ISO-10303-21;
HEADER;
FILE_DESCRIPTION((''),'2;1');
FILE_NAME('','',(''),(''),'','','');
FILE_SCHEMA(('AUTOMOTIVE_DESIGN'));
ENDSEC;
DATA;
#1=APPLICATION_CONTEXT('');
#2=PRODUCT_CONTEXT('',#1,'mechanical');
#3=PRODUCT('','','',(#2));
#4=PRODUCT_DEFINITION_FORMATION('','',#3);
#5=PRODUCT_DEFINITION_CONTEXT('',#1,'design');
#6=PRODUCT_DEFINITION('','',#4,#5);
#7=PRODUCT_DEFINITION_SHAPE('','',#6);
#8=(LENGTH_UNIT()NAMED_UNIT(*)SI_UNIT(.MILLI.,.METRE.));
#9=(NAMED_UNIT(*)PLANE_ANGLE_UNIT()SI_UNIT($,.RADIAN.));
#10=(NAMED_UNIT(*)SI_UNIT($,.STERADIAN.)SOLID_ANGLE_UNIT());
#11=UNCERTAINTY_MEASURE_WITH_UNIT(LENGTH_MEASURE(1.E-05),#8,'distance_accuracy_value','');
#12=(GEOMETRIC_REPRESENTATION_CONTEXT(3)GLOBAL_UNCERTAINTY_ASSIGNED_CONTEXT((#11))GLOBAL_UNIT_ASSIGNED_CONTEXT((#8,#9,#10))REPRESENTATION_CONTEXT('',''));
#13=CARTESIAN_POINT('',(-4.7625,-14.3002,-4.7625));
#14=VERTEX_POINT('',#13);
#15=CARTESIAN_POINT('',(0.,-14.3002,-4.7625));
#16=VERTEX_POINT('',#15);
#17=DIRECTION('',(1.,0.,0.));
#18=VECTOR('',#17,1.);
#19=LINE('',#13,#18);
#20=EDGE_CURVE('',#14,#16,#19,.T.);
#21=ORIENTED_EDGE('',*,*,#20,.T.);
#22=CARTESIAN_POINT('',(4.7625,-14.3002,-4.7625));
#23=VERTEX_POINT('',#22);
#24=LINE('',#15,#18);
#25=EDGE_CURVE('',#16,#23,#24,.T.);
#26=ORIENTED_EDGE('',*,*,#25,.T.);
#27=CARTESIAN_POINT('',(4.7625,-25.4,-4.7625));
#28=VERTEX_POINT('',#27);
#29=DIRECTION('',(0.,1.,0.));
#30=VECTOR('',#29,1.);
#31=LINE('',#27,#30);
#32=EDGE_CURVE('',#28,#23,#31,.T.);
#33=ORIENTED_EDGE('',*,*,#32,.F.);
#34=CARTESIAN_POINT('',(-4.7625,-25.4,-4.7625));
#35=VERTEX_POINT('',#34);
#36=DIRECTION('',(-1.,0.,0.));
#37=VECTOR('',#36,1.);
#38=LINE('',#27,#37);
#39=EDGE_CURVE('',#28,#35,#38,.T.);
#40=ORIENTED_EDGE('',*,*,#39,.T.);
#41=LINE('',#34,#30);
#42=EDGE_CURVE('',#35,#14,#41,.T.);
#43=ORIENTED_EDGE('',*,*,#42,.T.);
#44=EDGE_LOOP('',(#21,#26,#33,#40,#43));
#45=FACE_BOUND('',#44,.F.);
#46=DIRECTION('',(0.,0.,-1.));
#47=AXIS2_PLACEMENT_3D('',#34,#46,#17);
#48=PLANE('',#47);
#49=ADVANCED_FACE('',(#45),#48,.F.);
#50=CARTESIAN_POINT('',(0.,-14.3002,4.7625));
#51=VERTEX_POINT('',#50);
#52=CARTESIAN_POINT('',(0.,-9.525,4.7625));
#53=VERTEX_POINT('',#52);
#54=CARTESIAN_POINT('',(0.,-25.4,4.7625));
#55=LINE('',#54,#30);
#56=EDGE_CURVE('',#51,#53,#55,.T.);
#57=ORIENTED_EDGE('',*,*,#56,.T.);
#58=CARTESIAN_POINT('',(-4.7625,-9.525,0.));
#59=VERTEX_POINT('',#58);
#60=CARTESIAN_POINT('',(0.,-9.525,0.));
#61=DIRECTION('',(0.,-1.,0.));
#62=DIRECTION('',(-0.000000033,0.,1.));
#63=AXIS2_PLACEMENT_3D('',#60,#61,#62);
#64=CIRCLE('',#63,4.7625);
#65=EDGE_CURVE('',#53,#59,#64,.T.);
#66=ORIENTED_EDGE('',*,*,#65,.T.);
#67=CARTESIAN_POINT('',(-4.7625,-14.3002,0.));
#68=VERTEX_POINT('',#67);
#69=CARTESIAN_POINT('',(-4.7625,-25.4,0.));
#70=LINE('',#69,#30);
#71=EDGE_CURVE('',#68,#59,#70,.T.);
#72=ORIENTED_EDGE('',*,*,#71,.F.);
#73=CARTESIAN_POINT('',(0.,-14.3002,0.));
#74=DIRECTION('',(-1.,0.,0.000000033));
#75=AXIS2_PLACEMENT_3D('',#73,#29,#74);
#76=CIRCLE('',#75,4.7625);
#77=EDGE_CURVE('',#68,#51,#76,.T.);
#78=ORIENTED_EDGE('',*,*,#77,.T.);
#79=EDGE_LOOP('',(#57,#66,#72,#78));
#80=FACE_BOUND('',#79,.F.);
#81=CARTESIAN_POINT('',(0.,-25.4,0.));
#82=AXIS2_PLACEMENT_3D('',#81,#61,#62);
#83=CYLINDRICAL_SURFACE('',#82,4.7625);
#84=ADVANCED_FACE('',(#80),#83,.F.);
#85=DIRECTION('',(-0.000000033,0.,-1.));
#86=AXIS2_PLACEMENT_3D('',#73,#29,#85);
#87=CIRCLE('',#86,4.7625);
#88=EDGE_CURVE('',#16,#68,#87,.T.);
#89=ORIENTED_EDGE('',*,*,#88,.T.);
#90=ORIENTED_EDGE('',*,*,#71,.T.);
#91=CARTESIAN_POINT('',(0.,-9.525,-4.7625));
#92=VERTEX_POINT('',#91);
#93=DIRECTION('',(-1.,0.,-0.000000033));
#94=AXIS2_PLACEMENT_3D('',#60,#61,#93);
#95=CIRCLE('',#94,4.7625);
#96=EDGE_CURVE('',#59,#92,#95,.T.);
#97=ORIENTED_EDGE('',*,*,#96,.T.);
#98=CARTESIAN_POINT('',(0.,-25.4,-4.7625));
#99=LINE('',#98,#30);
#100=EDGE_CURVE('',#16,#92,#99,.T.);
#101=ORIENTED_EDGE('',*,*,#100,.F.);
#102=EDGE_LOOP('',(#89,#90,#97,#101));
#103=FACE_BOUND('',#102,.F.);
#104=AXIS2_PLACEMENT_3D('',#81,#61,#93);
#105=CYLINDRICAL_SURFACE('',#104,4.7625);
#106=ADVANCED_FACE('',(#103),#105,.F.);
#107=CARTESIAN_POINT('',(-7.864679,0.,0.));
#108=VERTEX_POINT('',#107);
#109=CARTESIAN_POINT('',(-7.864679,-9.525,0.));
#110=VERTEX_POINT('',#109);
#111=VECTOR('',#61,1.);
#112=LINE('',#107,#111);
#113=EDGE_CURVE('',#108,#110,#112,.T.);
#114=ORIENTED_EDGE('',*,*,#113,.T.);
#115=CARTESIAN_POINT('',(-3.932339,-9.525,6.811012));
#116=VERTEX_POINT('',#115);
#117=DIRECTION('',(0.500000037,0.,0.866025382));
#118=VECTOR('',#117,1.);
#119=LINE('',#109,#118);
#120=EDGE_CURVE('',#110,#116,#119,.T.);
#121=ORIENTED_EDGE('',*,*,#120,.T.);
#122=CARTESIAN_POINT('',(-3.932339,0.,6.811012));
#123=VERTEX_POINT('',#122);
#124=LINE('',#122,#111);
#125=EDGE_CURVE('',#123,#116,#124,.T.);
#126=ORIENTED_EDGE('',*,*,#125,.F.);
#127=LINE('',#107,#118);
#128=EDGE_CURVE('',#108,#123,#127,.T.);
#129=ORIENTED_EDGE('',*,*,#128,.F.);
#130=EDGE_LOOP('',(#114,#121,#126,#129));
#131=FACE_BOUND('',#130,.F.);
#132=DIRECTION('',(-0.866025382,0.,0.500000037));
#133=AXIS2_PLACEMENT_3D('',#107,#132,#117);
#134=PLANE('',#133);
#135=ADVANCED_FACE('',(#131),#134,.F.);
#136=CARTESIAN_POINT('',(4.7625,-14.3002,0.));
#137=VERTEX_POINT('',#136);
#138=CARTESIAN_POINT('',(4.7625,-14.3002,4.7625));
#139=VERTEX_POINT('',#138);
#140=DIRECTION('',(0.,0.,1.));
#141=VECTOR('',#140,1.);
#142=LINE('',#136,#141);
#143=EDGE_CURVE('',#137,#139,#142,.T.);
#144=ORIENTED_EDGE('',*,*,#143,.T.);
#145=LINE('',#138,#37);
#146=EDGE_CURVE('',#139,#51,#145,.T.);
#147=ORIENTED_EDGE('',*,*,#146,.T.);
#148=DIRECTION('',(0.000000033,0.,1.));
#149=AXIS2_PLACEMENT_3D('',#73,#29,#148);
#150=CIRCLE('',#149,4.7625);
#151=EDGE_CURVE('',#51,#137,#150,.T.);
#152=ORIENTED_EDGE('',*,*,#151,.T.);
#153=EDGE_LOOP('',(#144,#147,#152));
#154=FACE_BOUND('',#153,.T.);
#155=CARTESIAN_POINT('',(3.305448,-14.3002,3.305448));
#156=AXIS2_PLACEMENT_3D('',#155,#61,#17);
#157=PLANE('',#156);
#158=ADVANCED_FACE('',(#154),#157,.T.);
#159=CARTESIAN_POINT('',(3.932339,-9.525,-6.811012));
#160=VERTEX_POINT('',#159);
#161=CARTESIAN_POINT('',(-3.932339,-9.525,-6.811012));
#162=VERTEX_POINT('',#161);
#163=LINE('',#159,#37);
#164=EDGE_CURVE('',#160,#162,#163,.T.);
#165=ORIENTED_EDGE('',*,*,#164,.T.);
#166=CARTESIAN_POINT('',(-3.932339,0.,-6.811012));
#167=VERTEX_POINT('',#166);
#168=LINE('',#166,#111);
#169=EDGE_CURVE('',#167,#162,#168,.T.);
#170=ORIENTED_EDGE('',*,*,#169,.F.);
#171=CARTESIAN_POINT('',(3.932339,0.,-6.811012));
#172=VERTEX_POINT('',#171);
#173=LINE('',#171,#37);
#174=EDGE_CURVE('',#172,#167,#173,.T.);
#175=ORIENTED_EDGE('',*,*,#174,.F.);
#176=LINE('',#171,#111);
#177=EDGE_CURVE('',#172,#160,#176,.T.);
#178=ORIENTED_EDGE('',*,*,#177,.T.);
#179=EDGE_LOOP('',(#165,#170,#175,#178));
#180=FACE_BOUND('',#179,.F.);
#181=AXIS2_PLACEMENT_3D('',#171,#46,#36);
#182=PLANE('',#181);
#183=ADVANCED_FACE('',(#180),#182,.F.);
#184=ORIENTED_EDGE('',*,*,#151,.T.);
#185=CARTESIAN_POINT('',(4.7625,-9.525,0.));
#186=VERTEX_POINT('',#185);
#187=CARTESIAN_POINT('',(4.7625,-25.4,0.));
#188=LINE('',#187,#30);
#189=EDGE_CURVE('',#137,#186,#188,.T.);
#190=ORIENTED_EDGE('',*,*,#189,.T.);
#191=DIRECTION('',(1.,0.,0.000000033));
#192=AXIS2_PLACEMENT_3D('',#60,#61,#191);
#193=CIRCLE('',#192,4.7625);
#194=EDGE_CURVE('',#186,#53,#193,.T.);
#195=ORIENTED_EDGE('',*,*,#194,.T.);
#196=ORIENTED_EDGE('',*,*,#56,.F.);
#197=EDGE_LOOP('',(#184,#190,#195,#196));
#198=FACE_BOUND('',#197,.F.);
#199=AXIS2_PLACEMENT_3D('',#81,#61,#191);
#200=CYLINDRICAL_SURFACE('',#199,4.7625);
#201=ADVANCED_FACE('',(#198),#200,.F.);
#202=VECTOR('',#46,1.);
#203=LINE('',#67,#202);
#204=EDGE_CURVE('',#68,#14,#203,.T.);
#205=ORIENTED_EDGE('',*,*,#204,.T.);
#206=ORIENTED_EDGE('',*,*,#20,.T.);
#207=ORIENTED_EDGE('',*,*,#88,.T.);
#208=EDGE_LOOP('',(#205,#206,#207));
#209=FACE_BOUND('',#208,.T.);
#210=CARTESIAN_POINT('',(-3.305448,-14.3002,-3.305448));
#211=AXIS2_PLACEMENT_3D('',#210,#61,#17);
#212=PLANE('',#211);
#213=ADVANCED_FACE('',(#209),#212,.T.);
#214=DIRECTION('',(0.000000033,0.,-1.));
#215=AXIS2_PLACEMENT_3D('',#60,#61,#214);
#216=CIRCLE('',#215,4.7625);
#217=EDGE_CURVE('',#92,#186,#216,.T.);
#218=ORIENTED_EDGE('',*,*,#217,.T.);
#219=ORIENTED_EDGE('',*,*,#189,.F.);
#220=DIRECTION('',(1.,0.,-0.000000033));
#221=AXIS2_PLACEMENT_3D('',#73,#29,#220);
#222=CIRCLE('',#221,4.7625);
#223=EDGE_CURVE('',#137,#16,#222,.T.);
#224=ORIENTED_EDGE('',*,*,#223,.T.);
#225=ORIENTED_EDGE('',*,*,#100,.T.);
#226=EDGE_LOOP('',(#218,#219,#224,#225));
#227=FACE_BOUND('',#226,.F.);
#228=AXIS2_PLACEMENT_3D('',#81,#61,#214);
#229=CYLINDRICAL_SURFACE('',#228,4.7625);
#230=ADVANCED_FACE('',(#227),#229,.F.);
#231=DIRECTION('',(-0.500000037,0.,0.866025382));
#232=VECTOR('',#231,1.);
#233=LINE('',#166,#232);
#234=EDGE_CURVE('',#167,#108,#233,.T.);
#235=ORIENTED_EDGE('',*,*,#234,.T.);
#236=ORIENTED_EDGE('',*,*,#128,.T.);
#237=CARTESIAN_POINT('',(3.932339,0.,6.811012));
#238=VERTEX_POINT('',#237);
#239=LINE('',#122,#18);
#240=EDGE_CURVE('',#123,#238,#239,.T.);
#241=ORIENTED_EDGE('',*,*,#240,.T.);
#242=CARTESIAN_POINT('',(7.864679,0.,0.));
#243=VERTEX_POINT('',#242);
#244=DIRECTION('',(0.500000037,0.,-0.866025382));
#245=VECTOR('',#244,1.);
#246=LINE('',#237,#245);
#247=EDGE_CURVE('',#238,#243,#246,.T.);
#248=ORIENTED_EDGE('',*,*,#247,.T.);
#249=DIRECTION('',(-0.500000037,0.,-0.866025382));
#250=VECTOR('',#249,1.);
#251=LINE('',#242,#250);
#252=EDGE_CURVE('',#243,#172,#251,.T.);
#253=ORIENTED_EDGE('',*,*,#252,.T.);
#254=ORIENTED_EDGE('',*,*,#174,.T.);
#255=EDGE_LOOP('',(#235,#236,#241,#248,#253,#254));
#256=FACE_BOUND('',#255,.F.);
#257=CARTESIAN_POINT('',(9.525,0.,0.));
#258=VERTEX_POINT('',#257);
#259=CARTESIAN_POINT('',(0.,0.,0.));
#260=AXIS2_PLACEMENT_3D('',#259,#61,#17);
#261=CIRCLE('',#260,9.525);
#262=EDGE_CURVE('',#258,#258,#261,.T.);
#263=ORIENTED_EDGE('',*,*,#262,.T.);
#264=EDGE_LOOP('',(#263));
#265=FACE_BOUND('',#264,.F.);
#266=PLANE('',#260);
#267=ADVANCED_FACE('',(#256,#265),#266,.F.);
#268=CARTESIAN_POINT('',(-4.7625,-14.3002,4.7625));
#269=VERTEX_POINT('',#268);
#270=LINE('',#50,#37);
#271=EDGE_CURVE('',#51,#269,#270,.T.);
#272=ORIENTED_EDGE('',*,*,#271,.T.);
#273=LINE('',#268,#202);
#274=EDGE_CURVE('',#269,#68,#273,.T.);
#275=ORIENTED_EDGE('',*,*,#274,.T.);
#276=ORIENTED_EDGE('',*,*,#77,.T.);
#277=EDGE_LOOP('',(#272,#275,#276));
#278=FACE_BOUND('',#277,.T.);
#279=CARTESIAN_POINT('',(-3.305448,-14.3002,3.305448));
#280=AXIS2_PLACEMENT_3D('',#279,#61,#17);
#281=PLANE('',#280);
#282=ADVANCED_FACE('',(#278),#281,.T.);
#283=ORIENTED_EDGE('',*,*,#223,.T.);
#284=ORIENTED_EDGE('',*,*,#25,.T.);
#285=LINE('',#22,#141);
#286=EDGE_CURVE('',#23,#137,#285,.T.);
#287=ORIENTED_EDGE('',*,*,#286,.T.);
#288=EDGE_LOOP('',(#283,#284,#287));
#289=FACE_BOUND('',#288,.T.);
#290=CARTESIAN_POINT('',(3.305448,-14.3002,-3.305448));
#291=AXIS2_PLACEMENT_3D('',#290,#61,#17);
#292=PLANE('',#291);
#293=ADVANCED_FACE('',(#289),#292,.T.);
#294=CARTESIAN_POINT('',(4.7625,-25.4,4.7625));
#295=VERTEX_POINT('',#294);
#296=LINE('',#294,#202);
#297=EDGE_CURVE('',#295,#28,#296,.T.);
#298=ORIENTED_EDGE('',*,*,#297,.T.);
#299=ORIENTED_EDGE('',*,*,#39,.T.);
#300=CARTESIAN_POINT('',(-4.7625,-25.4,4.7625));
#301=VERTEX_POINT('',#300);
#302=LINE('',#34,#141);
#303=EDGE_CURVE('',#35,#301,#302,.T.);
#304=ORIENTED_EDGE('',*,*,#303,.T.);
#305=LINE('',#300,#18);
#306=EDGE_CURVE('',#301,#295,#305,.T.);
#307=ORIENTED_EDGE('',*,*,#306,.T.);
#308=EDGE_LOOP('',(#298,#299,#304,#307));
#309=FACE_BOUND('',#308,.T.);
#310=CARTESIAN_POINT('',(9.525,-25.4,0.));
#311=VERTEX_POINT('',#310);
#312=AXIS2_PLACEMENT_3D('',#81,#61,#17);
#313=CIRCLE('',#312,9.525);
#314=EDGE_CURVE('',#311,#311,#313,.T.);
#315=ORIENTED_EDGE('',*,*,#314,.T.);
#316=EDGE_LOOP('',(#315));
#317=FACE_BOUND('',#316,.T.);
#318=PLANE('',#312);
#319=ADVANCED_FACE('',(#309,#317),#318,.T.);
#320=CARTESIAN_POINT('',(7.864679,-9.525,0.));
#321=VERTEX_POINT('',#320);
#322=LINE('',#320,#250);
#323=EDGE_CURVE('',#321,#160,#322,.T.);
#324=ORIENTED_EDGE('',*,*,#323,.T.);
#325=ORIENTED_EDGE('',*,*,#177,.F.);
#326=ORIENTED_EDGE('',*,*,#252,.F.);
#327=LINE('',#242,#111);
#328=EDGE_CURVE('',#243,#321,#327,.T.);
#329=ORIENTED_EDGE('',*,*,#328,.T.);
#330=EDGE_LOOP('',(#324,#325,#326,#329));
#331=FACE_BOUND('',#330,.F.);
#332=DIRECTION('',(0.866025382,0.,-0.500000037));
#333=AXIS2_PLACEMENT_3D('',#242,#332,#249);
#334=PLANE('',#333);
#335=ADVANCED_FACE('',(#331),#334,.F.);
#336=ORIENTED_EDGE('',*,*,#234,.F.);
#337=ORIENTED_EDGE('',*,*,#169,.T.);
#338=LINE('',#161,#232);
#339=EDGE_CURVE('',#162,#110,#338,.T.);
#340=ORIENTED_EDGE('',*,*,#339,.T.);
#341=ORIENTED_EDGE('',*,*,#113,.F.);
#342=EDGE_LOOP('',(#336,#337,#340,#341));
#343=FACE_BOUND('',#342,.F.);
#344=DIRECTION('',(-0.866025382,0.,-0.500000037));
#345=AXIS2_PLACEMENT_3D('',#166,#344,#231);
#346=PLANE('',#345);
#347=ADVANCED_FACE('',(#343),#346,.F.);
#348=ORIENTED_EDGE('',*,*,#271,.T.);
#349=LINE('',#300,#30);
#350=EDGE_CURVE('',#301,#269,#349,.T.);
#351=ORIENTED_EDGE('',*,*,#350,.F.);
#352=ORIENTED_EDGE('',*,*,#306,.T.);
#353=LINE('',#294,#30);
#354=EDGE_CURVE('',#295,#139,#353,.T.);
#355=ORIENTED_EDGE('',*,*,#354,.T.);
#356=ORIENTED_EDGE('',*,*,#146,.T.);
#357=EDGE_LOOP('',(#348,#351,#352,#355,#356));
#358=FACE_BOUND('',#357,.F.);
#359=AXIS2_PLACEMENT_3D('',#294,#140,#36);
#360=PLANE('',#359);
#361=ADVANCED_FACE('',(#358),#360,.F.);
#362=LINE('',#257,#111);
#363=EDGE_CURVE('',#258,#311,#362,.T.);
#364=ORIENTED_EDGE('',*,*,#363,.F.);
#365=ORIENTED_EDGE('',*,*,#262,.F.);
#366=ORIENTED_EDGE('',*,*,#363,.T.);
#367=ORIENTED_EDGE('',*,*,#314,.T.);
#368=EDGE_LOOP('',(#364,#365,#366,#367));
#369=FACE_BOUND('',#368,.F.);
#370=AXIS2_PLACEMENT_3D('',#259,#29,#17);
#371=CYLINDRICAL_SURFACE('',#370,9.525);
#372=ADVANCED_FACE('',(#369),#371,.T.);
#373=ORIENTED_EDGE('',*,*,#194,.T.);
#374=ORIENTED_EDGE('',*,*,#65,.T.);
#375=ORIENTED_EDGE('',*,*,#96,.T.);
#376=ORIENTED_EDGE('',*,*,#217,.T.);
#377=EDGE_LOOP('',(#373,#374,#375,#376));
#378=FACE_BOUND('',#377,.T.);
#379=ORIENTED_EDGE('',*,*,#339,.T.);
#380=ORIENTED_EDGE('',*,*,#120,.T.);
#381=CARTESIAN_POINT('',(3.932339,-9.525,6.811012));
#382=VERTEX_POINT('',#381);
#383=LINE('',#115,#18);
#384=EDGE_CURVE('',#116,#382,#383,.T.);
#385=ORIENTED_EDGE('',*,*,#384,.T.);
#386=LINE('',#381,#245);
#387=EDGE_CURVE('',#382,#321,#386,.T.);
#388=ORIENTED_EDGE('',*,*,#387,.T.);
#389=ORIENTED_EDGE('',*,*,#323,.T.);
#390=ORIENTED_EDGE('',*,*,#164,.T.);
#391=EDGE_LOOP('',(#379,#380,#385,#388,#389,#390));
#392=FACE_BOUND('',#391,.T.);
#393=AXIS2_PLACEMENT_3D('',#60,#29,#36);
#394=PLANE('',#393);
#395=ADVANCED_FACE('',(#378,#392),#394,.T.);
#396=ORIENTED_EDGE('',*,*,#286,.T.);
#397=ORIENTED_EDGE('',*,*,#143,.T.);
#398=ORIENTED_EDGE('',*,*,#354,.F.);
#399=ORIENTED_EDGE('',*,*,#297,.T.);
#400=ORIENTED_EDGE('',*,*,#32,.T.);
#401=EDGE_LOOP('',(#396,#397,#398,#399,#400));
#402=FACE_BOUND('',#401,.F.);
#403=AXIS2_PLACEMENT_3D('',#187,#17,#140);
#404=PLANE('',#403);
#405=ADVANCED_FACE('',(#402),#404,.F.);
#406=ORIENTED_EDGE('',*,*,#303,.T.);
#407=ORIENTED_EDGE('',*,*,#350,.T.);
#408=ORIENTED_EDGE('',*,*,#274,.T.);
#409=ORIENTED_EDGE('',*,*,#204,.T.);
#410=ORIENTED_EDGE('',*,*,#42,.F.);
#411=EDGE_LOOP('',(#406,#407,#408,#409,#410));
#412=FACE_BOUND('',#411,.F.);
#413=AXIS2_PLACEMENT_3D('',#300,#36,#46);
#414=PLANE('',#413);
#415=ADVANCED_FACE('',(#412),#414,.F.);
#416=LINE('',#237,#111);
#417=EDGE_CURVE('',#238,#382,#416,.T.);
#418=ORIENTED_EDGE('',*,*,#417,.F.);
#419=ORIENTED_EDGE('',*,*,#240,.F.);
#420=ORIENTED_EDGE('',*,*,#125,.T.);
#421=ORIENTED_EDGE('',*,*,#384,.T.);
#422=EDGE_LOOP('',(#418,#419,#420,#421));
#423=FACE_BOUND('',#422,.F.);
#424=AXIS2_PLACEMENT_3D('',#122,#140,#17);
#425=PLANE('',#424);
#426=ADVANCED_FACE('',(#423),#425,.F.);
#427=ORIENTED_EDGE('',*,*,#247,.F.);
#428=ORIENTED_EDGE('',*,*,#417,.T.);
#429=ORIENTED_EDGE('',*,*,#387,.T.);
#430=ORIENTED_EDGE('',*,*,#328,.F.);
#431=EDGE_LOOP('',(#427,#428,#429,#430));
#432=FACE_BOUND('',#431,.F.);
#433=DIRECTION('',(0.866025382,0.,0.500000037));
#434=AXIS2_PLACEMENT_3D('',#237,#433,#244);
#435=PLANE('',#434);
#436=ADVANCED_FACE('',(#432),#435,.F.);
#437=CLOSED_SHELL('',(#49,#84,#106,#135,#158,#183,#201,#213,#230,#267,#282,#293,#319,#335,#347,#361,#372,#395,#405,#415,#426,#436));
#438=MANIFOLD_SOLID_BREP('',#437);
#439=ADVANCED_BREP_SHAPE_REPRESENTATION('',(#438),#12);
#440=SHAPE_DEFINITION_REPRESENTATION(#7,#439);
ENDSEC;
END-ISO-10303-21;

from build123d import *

# Parameters (mm, degrees)
F0_R     = 9.525
F1_DEPTH = 25.4
F3_DEPTH = 25.401
F4_DEPTH = 11.0998
F6_DEPTH = 9.525


with BuildPart() as f1:
    # F0 (on Front) → F1 (new body)
    with BuildSketch(Plane.XZ):
        Circle(F0_R)
    extrude(amount=F1_DEPTH)

    # F2 (on face) → F3 (cut, through all)
    with BuildSketch(Plane.XZ.offset(25.4)):
        with BuildLine():
            ThreePointArc((4.7625, 0), (3.367596, 3.367596), (0, 4.7625))
            ThreePointArc((0, 4.7625), (-3.367596, 3.367596), (-4.7625, 0))
            ThreePointArc((-4.7625, 0), (-3.367596, -3.367596), (0, -4.7625))
            ThreePointArc((0, -4.7625), (3.367596, -3.367596), (4.7625, 0))
        make_face()
    extrude(amount=-F3_DEPTH, mode=Mode.SUBTRACT)

    # F2 (on face) → F4 (cut)
    with BuildSketch(Plane.XZ.offset(25.4)):
        with BuildLine():
            Line((4.7625, 0), (4.7625, 4.7625))
            Line((4.7625, 4.7625), (0, 4.7625))
            ThreePointArc((0, 4.7625), (3.367596, 3.367596), (4.7625, 0))
        make_face()
        with BuildLine():
            ThreePointArc((-4.7625, 0), (-3.367596, 3.367596), (0, 4.7625))
            Line((0, 4.7625), (-4.7625, 4.7625))
            Line((-4.7625, 4.7625), (-4.7625, 0))
        make_face()
        with BuildLine():
            Line((4.7625, -4.7625), (4.7625, 0))
            ThreePointArc((4.7625, 0), (3.367596, -3.367596), (0, -4.7625))
            Line((0, -4.7625), (4.7625, -4.7625))
        make_face()
        with BuildLine():
            ThreePointArc((0, -4.7625), (-3.367596, -3.367596), (-4.7625, 0))
            Line((-4.7625, 0), (-4.7625, -4.7625))
            Line((-4.7625, -4.7625), (0, -4.7625))
        make_face()
    extrude(amount=-F4_DEPTH, mode=Mode.SUBTRACT)

    # F5 (on face) → F6 (cut)
    with BuildSketch(Plane(origin=(0, 0, 0), x_dir=(-1, 0, 0), z_dir=(0, 1, 0))):
        Polygon((3.932339, 6.811012), (-3.932339, 6.811012), (-7.864679, 0), (-3.932339, -6.811012), (3.932339, -6.811012), (7.864679, 0), align=None)
    extrude(amount=-F6_DEPTH, mode=Mode.SUBTRACT)


solid = f1.part
